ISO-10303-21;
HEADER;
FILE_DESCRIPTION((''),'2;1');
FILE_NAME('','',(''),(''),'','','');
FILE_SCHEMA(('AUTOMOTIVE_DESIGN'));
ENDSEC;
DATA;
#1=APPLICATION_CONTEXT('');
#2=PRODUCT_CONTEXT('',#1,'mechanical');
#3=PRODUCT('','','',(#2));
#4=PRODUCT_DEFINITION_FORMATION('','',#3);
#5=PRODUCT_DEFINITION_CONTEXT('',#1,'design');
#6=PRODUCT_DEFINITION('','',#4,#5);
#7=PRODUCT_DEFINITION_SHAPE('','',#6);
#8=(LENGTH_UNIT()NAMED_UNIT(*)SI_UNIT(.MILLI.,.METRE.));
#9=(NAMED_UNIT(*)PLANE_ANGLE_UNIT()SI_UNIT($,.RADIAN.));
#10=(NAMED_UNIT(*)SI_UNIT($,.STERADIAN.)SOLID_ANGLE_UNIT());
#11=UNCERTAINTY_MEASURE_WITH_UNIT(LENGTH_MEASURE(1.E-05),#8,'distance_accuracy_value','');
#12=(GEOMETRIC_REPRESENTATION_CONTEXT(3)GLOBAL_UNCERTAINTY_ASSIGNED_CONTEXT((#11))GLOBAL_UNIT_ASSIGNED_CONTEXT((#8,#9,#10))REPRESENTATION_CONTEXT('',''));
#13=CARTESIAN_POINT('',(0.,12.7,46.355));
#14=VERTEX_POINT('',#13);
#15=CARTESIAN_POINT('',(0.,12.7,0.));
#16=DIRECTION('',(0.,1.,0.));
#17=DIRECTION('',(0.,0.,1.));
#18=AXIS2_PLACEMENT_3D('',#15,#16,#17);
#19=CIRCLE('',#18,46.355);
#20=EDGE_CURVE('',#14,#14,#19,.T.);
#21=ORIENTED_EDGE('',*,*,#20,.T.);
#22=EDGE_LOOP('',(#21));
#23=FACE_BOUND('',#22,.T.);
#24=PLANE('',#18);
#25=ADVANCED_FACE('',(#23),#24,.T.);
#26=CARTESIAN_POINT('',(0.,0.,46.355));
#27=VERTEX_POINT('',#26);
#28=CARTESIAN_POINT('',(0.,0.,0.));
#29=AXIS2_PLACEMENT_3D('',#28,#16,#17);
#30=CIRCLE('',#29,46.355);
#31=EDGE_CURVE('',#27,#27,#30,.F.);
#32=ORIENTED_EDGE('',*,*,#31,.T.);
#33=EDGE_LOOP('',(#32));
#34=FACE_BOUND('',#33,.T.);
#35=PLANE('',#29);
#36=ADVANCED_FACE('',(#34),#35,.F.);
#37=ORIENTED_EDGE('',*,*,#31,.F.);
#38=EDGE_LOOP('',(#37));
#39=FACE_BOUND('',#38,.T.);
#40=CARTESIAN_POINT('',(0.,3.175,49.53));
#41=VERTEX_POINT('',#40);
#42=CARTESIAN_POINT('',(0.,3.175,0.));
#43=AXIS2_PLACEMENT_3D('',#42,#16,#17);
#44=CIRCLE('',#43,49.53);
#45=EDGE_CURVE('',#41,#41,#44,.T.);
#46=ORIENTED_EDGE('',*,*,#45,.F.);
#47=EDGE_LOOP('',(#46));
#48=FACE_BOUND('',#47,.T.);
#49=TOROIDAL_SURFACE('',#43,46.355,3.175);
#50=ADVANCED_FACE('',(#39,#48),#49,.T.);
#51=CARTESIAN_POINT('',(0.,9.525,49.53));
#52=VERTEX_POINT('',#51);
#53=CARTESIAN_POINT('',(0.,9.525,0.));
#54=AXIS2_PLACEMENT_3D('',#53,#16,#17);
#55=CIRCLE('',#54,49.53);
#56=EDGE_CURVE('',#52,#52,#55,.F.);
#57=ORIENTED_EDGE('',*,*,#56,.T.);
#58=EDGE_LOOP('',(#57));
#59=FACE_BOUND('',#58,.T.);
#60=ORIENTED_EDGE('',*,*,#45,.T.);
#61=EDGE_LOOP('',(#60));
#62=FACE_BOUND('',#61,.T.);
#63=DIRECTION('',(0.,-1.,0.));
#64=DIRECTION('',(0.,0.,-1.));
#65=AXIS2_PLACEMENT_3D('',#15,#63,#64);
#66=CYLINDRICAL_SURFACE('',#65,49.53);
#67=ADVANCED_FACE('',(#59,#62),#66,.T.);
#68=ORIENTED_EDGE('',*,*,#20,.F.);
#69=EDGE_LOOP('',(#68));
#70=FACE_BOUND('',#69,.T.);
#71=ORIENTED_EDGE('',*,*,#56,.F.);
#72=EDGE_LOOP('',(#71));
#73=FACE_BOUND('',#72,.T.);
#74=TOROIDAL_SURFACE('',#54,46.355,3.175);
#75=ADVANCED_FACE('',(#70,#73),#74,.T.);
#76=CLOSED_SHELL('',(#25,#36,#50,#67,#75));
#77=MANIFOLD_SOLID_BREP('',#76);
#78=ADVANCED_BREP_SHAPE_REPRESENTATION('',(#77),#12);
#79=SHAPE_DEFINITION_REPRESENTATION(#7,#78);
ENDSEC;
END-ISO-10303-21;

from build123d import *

# Parameters (mm, degrees)
SKETCH1_R           = 49.53
BOSS_EXTRUDE1_DEPTH = 12.7
FILLET1_R           = 3.175


with BuildPart() as part:
    # Sketch1 → Boss-Extrude1 (new body)
    with BuildSketch(Plane(origin=(0, 0, 0), x_dir=(1, 0, 0), z_dir=(0, 1, 0))):
        with Locations(Location((0, 0, 0), (0, 0, 270))):
            Circle(SKETCH1_R)
    extrude(amount=BOSS_EXTRUDE1_DEPTH)

    # Fillet1
    fillet1_edges = [part.edges().sort_by_distance(p)[0] for p in [
        (0, 0, -49.53),
        (0, 12.7, -49.53),
    ]]
    fillet(fillet1_edges, radius=FILLET1_R)


solid = part.part
